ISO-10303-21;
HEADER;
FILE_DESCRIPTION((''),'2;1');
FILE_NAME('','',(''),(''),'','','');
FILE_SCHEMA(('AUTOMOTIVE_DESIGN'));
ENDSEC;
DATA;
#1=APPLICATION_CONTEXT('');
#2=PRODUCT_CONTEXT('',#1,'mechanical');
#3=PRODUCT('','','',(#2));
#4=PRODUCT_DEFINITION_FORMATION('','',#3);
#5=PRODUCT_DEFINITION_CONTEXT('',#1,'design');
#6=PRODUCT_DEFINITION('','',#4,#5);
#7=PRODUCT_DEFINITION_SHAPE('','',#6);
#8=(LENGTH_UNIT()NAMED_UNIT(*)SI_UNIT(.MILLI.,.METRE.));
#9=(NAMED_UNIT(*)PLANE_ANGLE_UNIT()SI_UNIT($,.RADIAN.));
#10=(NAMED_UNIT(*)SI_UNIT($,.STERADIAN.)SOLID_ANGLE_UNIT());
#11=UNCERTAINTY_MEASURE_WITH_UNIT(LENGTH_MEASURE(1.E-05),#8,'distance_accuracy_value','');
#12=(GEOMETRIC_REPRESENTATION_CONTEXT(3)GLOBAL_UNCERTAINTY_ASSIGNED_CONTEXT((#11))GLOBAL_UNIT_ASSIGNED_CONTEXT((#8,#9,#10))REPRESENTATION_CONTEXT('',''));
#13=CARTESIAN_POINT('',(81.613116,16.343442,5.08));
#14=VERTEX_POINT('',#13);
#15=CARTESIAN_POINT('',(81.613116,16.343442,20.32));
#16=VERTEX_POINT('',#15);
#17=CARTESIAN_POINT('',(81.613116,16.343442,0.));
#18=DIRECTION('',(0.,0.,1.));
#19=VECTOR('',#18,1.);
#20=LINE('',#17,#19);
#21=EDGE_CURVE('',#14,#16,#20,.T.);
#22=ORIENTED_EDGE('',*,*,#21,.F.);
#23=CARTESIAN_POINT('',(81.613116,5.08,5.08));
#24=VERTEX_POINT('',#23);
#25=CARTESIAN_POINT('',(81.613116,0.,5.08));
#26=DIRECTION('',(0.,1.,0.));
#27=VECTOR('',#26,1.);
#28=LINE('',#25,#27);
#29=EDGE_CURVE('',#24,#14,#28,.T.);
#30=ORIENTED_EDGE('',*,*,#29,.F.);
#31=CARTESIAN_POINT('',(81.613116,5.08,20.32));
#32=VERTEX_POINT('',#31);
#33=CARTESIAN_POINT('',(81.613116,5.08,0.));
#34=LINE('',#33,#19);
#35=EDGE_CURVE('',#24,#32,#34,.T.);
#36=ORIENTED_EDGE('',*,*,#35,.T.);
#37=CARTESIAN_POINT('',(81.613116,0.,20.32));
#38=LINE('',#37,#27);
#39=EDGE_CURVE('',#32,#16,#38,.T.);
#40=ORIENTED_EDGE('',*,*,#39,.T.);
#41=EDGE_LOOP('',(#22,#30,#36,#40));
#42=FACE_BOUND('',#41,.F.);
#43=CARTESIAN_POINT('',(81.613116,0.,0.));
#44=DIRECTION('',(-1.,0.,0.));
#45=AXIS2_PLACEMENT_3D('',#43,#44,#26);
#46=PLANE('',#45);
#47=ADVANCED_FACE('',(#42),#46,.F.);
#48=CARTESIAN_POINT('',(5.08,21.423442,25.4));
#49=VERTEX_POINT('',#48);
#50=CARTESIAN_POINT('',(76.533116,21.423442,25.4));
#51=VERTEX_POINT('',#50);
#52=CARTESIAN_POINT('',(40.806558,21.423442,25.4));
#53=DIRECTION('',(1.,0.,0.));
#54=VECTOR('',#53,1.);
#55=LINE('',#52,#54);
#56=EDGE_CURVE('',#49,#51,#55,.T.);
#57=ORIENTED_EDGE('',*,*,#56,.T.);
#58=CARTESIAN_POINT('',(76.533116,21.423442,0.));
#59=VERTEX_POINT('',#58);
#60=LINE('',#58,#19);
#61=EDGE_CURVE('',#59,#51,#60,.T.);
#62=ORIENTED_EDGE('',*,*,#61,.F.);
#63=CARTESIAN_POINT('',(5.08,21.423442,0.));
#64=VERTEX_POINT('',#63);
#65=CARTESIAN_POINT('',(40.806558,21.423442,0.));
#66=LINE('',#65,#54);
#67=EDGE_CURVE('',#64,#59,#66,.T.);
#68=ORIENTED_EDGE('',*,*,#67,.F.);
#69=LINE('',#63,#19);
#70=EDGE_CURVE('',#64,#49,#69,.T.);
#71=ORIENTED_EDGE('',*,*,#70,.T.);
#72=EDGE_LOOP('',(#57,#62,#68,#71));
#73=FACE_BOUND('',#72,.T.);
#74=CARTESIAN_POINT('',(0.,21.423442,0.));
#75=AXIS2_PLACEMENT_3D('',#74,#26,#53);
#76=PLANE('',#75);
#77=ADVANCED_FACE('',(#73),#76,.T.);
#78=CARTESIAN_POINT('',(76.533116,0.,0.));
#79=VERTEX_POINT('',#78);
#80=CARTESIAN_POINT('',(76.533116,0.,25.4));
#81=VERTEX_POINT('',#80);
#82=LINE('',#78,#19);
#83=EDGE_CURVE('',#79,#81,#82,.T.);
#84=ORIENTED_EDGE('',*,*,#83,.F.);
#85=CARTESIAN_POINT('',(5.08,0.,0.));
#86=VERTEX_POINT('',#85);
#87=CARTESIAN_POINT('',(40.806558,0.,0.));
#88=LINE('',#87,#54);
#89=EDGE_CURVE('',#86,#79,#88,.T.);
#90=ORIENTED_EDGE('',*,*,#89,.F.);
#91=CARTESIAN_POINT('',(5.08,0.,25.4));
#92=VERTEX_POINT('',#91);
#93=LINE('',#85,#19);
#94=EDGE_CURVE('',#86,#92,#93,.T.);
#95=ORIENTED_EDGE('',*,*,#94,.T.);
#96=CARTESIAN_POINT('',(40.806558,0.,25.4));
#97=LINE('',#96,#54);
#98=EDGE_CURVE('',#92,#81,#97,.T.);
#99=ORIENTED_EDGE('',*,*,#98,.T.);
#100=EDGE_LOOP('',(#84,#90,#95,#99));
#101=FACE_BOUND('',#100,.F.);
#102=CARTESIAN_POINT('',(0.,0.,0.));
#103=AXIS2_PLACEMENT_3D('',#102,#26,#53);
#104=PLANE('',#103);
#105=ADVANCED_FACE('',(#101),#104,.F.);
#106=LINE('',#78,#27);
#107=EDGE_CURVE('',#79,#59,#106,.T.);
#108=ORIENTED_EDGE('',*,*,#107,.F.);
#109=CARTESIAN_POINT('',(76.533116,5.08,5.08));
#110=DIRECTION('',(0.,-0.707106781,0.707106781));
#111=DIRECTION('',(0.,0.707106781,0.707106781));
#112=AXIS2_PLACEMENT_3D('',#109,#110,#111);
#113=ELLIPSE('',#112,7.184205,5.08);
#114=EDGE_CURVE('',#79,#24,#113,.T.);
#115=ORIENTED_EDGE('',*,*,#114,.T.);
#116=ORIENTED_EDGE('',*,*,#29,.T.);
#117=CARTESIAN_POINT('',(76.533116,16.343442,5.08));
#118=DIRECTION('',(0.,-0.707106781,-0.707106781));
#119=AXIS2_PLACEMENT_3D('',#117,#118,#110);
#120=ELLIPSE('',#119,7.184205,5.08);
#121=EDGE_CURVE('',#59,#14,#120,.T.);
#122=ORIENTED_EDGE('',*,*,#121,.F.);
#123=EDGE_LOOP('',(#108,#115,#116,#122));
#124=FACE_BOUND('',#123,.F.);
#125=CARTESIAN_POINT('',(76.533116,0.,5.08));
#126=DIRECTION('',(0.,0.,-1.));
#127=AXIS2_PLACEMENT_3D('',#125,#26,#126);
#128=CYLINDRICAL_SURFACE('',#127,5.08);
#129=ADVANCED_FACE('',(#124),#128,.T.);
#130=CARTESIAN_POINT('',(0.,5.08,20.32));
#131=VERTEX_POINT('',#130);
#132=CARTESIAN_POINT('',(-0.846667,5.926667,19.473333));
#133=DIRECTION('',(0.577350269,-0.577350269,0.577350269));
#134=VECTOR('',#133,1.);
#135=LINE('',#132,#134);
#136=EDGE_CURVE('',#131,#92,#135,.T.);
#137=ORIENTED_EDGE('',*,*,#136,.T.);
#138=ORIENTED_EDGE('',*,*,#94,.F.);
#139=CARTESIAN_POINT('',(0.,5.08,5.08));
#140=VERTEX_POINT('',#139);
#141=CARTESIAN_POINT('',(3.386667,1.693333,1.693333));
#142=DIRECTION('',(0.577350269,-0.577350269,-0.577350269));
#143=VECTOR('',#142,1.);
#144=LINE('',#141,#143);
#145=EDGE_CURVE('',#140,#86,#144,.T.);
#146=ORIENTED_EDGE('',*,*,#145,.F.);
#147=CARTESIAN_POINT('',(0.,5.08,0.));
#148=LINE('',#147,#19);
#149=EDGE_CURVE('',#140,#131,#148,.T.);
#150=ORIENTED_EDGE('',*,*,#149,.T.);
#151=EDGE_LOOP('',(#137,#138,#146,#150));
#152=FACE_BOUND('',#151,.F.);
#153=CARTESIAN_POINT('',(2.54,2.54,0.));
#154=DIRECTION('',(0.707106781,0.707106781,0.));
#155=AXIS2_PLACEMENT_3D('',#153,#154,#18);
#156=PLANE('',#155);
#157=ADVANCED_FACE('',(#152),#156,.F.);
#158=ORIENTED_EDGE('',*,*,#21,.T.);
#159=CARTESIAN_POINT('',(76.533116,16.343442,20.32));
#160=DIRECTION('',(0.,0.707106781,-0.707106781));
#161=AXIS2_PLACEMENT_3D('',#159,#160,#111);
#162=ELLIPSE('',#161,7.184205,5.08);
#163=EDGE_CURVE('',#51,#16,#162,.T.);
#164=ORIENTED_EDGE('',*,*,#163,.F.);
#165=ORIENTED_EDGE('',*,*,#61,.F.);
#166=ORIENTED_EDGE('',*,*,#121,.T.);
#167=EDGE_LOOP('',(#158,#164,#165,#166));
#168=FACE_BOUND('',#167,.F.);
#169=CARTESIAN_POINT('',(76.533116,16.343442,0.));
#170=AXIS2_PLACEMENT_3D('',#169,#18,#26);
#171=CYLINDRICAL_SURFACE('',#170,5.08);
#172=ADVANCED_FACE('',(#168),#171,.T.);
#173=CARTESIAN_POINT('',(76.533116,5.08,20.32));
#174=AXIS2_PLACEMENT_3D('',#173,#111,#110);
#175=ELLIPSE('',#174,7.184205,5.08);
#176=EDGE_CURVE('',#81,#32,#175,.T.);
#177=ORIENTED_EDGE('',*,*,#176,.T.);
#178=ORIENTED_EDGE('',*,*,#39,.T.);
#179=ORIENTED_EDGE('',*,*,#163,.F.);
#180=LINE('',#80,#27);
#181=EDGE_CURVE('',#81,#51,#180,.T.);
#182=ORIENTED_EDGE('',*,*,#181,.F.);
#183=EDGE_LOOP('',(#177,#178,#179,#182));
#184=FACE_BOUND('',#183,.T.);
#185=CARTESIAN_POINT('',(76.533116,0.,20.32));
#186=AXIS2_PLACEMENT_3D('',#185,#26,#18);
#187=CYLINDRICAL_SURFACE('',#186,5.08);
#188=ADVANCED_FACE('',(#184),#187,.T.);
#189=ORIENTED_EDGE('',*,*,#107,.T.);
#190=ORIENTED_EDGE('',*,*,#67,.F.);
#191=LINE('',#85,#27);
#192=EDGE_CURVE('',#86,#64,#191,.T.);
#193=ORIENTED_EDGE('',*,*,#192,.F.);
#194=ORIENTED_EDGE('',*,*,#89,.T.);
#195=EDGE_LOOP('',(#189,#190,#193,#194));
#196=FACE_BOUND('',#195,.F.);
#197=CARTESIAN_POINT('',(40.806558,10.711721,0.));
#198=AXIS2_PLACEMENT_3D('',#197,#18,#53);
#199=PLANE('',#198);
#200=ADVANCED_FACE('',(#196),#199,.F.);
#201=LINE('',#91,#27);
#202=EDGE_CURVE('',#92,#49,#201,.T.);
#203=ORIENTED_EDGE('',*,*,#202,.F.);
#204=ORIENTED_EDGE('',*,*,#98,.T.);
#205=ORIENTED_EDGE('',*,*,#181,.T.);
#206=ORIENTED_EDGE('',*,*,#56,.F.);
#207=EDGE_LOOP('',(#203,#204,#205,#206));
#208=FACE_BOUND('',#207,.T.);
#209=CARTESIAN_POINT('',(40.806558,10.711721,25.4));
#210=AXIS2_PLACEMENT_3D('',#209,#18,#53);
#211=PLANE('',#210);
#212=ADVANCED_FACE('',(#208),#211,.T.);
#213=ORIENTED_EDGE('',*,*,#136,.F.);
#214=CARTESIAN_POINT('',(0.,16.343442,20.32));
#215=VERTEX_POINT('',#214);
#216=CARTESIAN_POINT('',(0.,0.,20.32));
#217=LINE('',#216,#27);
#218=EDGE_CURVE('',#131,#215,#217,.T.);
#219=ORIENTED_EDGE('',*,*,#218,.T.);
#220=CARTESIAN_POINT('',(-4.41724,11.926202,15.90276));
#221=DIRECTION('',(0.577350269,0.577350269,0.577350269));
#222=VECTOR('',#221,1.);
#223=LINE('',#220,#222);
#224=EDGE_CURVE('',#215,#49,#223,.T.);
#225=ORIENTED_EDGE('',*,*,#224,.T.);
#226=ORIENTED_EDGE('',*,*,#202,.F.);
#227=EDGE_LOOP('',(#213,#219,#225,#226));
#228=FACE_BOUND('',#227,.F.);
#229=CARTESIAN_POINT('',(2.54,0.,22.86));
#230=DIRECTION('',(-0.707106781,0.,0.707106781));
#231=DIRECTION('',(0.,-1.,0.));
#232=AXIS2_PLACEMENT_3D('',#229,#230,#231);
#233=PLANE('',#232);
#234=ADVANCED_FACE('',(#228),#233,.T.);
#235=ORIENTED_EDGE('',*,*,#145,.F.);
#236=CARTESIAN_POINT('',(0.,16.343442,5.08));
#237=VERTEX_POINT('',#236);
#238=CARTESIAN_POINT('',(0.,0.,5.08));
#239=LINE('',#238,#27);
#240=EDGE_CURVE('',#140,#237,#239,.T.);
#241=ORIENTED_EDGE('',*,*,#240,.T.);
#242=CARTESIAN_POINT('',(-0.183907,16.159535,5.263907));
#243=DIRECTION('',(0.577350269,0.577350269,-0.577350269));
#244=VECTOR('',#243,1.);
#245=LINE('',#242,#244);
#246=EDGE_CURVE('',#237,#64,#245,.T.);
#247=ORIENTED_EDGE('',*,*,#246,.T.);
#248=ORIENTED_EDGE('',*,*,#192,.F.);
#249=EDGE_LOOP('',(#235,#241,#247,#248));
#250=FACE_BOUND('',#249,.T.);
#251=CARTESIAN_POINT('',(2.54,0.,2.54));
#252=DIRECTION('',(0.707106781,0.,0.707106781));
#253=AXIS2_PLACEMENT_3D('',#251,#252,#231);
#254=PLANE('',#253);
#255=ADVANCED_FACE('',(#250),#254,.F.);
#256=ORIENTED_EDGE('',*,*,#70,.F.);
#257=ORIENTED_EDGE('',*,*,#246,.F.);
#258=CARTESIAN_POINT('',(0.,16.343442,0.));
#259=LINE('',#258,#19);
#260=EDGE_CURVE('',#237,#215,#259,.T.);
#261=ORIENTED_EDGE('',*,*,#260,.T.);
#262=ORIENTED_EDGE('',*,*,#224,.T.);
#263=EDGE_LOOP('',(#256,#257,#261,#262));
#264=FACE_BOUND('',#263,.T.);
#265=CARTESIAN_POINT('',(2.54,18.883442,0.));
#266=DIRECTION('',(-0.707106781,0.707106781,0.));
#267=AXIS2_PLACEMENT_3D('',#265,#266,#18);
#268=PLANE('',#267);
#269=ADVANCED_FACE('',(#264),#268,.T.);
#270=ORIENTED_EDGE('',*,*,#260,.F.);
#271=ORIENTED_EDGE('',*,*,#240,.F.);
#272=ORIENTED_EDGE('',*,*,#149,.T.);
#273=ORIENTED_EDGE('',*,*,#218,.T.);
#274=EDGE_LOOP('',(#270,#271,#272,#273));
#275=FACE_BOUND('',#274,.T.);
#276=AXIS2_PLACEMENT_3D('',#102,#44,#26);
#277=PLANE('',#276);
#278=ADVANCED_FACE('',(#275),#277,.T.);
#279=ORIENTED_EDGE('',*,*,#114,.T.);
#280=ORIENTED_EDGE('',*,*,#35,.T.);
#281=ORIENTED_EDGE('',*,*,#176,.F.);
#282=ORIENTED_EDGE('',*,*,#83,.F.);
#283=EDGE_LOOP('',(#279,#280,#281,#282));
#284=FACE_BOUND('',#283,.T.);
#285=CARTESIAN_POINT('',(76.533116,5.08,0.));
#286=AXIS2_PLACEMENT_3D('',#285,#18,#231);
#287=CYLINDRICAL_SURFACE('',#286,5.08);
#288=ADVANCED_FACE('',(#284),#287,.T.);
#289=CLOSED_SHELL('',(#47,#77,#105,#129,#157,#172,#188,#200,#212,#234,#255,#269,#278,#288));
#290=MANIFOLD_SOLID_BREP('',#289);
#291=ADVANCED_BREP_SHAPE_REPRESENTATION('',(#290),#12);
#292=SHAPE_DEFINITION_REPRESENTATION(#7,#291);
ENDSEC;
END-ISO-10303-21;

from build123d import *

# Parameters (mm, degrees)
F0_W     = 81.613116
F0_H     = 21.423442
F1_DEPTH = 25.4
F2_SIZE  = 5.08
F3_R     = 5.08


with BuildPart() as f1:
    # F0 (on Top) → F1 (new body)
    with BuildSketch(Plane.XY):
        with Locations((40.806558, 10.711721)):
            Rectangle(F0_W, F0_H)
    extrude(amount=F1_DEPTH)

    # F2
    f2_edges = [f1.edges().sort_by_distance(p)[0] for p in [
        (0, 10.711721, 25.4),
        (0, 21.423442, 12.7),
        (0, 0, 12.7),
        (0, 10.711721, 0),
    ]]
    chamfer(f2_edges, length=F2_SIZE)

    # F3
    f3_edges = [f1.edges().sort_by_distance(p)[0] for p in [
        (81.613116, 0, 12.7),
        (81.613116, 21.423442, 12.7),
        (81.613116, 10.711721, 0),
        (81.613116, 10.711721, 25.4),
    ]]
    fillet(f3_edges, radius=F3_R)


solid = f1.part
